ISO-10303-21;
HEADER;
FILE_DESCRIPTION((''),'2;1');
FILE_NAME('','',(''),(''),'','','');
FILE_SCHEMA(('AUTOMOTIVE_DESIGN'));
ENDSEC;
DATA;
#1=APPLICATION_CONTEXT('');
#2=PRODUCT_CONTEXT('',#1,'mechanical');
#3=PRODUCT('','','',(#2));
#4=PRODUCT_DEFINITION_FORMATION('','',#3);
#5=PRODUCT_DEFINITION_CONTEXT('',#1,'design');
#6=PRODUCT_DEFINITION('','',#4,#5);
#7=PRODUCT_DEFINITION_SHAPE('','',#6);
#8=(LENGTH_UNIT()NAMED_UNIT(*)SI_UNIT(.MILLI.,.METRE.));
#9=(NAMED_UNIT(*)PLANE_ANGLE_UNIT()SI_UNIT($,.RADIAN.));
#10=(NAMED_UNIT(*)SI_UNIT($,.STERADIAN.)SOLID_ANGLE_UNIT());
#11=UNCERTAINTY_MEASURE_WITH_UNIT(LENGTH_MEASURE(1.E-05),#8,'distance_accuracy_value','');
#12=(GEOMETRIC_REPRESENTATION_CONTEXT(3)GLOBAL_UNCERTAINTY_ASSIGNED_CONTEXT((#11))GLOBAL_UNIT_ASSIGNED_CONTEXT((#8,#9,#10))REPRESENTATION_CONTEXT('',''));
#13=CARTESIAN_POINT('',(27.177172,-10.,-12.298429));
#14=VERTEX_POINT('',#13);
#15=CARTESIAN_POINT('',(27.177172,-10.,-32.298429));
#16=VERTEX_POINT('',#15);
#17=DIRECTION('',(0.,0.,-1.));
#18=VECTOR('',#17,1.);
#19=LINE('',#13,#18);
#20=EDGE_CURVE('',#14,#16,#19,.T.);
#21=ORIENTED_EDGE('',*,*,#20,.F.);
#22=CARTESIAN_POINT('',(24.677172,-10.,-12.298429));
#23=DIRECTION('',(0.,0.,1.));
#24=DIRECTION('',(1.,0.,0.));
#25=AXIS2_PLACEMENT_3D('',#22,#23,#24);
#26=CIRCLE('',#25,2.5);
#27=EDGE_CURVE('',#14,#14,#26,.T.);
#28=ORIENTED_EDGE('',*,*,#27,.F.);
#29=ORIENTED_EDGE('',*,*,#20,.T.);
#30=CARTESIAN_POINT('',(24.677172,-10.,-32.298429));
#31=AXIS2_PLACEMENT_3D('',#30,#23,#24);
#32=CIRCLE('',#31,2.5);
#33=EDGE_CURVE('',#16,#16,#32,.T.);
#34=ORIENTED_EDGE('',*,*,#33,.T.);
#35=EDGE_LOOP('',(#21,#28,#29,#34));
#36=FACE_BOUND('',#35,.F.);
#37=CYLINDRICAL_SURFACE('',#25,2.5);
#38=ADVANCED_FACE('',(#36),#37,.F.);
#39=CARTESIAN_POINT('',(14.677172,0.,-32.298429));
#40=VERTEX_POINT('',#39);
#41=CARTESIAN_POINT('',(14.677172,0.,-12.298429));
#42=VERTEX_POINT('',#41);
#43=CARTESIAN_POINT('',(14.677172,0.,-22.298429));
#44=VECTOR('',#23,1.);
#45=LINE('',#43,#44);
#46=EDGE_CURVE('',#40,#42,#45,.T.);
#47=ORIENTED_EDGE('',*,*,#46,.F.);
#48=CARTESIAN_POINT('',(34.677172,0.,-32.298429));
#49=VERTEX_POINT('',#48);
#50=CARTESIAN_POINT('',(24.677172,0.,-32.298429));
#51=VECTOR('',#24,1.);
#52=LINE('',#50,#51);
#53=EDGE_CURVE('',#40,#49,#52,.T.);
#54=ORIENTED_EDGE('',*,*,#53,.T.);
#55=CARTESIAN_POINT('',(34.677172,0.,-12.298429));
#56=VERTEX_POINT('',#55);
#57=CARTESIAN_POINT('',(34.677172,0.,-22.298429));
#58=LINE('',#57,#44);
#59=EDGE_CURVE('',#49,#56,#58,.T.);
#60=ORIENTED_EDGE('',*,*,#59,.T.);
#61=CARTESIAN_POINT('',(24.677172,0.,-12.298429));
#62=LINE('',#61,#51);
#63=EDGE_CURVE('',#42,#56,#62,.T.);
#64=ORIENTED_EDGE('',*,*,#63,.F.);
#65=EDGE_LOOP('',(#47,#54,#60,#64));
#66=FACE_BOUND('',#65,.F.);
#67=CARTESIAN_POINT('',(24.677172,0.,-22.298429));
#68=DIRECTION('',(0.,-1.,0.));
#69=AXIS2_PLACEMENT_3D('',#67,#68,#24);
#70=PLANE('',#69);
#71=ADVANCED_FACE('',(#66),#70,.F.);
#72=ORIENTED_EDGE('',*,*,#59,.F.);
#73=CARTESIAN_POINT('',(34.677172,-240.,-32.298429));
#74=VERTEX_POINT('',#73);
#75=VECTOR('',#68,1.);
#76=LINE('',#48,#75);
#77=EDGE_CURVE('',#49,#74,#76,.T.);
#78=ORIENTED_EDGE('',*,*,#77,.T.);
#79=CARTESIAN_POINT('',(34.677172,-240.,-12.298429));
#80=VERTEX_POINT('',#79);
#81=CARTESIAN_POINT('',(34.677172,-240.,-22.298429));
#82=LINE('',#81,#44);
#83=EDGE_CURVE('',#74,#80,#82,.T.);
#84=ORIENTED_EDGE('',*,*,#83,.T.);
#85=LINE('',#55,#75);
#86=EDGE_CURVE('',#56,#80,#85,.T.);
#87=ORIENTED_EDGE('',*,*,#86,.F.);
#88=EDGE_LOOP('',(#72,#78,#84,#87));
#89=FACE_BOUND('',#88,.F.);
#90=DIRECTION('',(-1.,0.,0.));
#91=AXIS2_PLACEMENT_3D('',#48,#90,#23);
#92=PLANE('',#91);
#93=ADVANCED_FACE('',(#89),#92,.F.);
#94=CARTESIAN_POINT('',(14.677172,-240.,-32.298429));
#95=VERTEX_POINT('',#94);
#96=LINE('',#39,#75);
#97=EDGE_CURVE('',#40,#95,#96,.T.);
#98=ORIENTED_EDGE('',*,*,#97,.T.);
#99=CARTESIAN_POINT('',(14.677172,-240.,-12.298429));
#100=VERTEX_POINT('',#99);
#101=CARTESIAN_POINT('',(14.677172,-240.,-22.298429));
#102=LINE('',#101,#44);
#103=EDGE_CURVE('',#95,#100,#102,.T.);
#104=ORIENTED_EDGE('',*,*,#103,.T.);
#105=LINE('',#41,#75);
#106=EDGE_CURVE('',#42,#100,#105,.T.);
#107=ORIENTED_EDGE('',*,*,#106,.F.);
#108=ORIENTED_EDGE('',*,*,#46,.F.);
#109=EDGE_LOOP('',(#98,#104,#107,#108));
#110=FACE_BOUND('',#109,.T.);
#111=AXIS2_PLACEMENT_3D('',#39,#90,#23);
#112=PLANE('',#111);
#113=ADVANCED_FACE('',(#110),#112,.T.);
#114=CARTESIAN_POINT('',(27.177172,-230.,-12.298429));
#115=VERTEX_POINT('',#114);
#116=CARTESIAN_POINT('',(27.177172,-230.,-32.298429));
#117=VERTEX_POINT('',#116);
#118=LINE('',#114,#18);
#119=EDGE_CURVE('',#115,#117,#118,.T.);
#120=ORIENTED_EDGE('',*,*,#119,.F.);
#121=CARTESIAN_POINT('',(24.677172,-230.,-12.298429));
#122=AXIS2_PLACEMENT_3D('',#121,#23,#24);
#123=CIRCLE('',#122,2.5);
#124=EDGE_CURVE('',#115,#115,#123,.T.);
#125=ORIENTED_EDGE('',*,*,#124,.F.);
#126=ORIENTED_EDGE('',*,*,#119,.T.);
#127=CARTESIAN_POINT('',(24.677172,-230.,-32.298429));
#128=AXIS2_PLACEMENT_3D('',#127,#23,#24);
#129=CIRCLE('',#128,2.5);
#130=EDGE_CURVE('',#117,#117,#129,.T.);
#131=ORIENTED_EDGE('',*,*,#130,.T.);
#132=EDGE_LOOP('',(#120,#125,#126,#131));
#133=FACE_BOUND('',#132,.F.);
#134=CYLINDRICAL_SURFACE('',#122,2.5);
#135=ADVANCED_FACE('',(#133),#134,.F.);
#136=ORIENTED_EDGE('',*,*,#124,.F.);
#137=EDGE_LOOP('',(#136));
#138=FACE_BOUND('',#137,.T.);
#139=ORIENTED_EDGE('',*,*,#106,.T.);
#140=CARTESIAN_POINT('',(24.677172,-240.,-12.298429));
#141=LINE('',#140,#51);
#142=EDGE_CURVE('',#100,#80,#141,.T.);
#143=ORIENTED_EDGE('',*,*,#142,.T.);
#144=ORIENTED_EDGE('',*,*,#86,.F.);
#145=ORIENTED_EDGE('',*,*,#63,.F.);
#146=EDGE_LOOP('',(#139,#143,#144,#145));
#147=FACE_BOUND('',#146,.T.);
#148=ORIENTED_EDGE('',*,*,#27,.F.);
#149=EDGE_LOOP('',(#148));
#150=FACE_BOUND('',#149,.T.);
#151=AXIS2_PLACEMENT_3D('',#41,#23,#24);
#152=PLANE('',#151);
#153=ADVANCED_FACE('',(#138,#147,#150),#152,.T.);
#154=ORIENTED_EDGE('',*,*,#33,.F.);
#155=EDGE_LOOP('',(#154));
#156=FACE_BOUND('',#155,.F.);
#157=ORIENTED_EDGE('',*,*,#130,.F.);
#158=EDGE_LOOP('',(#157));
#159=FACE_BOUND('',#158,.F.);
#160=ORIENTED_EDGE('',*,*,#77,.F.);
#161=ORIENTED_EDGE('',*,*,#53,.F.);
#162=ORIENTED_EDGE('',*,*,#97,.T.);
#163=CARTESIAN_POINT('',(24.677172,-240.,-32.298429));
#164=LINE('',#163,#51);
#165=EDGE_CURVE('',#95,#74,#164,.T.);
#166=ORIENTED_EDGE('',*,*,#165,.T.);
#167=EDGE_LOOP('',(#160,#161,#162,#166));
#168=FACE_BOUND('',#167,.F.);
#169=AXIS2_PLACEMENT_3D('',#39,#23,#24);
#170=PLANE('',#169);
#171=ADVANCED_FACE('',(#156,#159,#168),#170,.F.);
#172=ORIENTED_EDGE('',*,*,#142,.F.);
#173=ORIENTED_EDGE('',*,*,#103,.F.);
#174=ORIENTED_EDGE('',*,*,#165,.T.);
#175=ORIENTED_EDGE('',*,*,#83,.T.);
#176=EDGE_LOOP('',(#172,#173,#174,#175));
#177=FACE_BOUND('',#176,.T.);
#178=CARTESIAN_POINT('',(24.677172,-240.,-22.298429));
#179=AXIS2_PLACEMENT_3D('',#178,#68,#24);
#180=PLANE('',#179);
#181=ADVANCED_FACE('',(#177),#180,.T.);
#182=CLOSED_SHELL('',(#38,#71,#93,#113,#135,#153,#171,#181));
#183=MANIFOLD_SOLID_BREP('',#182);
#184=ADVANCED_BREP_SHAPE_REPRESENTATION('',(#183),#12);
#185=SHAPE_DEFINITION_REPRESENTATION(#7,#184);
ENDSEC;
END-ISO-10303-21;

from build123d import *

# Parameters (mm, degrees)
F0_W     = 20
F0_H     = 20
F1_DEPTH = 240
F2_R     = 2.5
F3_DEPTH = 25
F4_R     = 2.5
F5_DEPTH = 25


with BuildPart() as f1:
    # F0 (on Front) → F1 (new body)
    with BuildSketch(Plane.XZ):
        with Locations((24.677172, -22.298429)):
            Rectangle(F0_W, F0_H)
    extrude(amount=F1_DEPTH)

    # F2 (on face) → F3 (cut)
    with BuildSketch(Plane.XY.offset(-12.298429)):
        with Locations((24.677172, -230)):
            Circle(F2_R)
    extrude(amount=-F3_DEPTH, mode=Mode.SUBTRACT)

    # F4 (on face) → F5 (cut)
    with BuildSketch(Plane.XY.offset(-12.298429)):
        with Locations((24.677172, -10)):
            Circle(F4_R)
    extrude(amount=-F5_DEPTH, mode=Mode.SUBTRACT)


solid = f1.part
